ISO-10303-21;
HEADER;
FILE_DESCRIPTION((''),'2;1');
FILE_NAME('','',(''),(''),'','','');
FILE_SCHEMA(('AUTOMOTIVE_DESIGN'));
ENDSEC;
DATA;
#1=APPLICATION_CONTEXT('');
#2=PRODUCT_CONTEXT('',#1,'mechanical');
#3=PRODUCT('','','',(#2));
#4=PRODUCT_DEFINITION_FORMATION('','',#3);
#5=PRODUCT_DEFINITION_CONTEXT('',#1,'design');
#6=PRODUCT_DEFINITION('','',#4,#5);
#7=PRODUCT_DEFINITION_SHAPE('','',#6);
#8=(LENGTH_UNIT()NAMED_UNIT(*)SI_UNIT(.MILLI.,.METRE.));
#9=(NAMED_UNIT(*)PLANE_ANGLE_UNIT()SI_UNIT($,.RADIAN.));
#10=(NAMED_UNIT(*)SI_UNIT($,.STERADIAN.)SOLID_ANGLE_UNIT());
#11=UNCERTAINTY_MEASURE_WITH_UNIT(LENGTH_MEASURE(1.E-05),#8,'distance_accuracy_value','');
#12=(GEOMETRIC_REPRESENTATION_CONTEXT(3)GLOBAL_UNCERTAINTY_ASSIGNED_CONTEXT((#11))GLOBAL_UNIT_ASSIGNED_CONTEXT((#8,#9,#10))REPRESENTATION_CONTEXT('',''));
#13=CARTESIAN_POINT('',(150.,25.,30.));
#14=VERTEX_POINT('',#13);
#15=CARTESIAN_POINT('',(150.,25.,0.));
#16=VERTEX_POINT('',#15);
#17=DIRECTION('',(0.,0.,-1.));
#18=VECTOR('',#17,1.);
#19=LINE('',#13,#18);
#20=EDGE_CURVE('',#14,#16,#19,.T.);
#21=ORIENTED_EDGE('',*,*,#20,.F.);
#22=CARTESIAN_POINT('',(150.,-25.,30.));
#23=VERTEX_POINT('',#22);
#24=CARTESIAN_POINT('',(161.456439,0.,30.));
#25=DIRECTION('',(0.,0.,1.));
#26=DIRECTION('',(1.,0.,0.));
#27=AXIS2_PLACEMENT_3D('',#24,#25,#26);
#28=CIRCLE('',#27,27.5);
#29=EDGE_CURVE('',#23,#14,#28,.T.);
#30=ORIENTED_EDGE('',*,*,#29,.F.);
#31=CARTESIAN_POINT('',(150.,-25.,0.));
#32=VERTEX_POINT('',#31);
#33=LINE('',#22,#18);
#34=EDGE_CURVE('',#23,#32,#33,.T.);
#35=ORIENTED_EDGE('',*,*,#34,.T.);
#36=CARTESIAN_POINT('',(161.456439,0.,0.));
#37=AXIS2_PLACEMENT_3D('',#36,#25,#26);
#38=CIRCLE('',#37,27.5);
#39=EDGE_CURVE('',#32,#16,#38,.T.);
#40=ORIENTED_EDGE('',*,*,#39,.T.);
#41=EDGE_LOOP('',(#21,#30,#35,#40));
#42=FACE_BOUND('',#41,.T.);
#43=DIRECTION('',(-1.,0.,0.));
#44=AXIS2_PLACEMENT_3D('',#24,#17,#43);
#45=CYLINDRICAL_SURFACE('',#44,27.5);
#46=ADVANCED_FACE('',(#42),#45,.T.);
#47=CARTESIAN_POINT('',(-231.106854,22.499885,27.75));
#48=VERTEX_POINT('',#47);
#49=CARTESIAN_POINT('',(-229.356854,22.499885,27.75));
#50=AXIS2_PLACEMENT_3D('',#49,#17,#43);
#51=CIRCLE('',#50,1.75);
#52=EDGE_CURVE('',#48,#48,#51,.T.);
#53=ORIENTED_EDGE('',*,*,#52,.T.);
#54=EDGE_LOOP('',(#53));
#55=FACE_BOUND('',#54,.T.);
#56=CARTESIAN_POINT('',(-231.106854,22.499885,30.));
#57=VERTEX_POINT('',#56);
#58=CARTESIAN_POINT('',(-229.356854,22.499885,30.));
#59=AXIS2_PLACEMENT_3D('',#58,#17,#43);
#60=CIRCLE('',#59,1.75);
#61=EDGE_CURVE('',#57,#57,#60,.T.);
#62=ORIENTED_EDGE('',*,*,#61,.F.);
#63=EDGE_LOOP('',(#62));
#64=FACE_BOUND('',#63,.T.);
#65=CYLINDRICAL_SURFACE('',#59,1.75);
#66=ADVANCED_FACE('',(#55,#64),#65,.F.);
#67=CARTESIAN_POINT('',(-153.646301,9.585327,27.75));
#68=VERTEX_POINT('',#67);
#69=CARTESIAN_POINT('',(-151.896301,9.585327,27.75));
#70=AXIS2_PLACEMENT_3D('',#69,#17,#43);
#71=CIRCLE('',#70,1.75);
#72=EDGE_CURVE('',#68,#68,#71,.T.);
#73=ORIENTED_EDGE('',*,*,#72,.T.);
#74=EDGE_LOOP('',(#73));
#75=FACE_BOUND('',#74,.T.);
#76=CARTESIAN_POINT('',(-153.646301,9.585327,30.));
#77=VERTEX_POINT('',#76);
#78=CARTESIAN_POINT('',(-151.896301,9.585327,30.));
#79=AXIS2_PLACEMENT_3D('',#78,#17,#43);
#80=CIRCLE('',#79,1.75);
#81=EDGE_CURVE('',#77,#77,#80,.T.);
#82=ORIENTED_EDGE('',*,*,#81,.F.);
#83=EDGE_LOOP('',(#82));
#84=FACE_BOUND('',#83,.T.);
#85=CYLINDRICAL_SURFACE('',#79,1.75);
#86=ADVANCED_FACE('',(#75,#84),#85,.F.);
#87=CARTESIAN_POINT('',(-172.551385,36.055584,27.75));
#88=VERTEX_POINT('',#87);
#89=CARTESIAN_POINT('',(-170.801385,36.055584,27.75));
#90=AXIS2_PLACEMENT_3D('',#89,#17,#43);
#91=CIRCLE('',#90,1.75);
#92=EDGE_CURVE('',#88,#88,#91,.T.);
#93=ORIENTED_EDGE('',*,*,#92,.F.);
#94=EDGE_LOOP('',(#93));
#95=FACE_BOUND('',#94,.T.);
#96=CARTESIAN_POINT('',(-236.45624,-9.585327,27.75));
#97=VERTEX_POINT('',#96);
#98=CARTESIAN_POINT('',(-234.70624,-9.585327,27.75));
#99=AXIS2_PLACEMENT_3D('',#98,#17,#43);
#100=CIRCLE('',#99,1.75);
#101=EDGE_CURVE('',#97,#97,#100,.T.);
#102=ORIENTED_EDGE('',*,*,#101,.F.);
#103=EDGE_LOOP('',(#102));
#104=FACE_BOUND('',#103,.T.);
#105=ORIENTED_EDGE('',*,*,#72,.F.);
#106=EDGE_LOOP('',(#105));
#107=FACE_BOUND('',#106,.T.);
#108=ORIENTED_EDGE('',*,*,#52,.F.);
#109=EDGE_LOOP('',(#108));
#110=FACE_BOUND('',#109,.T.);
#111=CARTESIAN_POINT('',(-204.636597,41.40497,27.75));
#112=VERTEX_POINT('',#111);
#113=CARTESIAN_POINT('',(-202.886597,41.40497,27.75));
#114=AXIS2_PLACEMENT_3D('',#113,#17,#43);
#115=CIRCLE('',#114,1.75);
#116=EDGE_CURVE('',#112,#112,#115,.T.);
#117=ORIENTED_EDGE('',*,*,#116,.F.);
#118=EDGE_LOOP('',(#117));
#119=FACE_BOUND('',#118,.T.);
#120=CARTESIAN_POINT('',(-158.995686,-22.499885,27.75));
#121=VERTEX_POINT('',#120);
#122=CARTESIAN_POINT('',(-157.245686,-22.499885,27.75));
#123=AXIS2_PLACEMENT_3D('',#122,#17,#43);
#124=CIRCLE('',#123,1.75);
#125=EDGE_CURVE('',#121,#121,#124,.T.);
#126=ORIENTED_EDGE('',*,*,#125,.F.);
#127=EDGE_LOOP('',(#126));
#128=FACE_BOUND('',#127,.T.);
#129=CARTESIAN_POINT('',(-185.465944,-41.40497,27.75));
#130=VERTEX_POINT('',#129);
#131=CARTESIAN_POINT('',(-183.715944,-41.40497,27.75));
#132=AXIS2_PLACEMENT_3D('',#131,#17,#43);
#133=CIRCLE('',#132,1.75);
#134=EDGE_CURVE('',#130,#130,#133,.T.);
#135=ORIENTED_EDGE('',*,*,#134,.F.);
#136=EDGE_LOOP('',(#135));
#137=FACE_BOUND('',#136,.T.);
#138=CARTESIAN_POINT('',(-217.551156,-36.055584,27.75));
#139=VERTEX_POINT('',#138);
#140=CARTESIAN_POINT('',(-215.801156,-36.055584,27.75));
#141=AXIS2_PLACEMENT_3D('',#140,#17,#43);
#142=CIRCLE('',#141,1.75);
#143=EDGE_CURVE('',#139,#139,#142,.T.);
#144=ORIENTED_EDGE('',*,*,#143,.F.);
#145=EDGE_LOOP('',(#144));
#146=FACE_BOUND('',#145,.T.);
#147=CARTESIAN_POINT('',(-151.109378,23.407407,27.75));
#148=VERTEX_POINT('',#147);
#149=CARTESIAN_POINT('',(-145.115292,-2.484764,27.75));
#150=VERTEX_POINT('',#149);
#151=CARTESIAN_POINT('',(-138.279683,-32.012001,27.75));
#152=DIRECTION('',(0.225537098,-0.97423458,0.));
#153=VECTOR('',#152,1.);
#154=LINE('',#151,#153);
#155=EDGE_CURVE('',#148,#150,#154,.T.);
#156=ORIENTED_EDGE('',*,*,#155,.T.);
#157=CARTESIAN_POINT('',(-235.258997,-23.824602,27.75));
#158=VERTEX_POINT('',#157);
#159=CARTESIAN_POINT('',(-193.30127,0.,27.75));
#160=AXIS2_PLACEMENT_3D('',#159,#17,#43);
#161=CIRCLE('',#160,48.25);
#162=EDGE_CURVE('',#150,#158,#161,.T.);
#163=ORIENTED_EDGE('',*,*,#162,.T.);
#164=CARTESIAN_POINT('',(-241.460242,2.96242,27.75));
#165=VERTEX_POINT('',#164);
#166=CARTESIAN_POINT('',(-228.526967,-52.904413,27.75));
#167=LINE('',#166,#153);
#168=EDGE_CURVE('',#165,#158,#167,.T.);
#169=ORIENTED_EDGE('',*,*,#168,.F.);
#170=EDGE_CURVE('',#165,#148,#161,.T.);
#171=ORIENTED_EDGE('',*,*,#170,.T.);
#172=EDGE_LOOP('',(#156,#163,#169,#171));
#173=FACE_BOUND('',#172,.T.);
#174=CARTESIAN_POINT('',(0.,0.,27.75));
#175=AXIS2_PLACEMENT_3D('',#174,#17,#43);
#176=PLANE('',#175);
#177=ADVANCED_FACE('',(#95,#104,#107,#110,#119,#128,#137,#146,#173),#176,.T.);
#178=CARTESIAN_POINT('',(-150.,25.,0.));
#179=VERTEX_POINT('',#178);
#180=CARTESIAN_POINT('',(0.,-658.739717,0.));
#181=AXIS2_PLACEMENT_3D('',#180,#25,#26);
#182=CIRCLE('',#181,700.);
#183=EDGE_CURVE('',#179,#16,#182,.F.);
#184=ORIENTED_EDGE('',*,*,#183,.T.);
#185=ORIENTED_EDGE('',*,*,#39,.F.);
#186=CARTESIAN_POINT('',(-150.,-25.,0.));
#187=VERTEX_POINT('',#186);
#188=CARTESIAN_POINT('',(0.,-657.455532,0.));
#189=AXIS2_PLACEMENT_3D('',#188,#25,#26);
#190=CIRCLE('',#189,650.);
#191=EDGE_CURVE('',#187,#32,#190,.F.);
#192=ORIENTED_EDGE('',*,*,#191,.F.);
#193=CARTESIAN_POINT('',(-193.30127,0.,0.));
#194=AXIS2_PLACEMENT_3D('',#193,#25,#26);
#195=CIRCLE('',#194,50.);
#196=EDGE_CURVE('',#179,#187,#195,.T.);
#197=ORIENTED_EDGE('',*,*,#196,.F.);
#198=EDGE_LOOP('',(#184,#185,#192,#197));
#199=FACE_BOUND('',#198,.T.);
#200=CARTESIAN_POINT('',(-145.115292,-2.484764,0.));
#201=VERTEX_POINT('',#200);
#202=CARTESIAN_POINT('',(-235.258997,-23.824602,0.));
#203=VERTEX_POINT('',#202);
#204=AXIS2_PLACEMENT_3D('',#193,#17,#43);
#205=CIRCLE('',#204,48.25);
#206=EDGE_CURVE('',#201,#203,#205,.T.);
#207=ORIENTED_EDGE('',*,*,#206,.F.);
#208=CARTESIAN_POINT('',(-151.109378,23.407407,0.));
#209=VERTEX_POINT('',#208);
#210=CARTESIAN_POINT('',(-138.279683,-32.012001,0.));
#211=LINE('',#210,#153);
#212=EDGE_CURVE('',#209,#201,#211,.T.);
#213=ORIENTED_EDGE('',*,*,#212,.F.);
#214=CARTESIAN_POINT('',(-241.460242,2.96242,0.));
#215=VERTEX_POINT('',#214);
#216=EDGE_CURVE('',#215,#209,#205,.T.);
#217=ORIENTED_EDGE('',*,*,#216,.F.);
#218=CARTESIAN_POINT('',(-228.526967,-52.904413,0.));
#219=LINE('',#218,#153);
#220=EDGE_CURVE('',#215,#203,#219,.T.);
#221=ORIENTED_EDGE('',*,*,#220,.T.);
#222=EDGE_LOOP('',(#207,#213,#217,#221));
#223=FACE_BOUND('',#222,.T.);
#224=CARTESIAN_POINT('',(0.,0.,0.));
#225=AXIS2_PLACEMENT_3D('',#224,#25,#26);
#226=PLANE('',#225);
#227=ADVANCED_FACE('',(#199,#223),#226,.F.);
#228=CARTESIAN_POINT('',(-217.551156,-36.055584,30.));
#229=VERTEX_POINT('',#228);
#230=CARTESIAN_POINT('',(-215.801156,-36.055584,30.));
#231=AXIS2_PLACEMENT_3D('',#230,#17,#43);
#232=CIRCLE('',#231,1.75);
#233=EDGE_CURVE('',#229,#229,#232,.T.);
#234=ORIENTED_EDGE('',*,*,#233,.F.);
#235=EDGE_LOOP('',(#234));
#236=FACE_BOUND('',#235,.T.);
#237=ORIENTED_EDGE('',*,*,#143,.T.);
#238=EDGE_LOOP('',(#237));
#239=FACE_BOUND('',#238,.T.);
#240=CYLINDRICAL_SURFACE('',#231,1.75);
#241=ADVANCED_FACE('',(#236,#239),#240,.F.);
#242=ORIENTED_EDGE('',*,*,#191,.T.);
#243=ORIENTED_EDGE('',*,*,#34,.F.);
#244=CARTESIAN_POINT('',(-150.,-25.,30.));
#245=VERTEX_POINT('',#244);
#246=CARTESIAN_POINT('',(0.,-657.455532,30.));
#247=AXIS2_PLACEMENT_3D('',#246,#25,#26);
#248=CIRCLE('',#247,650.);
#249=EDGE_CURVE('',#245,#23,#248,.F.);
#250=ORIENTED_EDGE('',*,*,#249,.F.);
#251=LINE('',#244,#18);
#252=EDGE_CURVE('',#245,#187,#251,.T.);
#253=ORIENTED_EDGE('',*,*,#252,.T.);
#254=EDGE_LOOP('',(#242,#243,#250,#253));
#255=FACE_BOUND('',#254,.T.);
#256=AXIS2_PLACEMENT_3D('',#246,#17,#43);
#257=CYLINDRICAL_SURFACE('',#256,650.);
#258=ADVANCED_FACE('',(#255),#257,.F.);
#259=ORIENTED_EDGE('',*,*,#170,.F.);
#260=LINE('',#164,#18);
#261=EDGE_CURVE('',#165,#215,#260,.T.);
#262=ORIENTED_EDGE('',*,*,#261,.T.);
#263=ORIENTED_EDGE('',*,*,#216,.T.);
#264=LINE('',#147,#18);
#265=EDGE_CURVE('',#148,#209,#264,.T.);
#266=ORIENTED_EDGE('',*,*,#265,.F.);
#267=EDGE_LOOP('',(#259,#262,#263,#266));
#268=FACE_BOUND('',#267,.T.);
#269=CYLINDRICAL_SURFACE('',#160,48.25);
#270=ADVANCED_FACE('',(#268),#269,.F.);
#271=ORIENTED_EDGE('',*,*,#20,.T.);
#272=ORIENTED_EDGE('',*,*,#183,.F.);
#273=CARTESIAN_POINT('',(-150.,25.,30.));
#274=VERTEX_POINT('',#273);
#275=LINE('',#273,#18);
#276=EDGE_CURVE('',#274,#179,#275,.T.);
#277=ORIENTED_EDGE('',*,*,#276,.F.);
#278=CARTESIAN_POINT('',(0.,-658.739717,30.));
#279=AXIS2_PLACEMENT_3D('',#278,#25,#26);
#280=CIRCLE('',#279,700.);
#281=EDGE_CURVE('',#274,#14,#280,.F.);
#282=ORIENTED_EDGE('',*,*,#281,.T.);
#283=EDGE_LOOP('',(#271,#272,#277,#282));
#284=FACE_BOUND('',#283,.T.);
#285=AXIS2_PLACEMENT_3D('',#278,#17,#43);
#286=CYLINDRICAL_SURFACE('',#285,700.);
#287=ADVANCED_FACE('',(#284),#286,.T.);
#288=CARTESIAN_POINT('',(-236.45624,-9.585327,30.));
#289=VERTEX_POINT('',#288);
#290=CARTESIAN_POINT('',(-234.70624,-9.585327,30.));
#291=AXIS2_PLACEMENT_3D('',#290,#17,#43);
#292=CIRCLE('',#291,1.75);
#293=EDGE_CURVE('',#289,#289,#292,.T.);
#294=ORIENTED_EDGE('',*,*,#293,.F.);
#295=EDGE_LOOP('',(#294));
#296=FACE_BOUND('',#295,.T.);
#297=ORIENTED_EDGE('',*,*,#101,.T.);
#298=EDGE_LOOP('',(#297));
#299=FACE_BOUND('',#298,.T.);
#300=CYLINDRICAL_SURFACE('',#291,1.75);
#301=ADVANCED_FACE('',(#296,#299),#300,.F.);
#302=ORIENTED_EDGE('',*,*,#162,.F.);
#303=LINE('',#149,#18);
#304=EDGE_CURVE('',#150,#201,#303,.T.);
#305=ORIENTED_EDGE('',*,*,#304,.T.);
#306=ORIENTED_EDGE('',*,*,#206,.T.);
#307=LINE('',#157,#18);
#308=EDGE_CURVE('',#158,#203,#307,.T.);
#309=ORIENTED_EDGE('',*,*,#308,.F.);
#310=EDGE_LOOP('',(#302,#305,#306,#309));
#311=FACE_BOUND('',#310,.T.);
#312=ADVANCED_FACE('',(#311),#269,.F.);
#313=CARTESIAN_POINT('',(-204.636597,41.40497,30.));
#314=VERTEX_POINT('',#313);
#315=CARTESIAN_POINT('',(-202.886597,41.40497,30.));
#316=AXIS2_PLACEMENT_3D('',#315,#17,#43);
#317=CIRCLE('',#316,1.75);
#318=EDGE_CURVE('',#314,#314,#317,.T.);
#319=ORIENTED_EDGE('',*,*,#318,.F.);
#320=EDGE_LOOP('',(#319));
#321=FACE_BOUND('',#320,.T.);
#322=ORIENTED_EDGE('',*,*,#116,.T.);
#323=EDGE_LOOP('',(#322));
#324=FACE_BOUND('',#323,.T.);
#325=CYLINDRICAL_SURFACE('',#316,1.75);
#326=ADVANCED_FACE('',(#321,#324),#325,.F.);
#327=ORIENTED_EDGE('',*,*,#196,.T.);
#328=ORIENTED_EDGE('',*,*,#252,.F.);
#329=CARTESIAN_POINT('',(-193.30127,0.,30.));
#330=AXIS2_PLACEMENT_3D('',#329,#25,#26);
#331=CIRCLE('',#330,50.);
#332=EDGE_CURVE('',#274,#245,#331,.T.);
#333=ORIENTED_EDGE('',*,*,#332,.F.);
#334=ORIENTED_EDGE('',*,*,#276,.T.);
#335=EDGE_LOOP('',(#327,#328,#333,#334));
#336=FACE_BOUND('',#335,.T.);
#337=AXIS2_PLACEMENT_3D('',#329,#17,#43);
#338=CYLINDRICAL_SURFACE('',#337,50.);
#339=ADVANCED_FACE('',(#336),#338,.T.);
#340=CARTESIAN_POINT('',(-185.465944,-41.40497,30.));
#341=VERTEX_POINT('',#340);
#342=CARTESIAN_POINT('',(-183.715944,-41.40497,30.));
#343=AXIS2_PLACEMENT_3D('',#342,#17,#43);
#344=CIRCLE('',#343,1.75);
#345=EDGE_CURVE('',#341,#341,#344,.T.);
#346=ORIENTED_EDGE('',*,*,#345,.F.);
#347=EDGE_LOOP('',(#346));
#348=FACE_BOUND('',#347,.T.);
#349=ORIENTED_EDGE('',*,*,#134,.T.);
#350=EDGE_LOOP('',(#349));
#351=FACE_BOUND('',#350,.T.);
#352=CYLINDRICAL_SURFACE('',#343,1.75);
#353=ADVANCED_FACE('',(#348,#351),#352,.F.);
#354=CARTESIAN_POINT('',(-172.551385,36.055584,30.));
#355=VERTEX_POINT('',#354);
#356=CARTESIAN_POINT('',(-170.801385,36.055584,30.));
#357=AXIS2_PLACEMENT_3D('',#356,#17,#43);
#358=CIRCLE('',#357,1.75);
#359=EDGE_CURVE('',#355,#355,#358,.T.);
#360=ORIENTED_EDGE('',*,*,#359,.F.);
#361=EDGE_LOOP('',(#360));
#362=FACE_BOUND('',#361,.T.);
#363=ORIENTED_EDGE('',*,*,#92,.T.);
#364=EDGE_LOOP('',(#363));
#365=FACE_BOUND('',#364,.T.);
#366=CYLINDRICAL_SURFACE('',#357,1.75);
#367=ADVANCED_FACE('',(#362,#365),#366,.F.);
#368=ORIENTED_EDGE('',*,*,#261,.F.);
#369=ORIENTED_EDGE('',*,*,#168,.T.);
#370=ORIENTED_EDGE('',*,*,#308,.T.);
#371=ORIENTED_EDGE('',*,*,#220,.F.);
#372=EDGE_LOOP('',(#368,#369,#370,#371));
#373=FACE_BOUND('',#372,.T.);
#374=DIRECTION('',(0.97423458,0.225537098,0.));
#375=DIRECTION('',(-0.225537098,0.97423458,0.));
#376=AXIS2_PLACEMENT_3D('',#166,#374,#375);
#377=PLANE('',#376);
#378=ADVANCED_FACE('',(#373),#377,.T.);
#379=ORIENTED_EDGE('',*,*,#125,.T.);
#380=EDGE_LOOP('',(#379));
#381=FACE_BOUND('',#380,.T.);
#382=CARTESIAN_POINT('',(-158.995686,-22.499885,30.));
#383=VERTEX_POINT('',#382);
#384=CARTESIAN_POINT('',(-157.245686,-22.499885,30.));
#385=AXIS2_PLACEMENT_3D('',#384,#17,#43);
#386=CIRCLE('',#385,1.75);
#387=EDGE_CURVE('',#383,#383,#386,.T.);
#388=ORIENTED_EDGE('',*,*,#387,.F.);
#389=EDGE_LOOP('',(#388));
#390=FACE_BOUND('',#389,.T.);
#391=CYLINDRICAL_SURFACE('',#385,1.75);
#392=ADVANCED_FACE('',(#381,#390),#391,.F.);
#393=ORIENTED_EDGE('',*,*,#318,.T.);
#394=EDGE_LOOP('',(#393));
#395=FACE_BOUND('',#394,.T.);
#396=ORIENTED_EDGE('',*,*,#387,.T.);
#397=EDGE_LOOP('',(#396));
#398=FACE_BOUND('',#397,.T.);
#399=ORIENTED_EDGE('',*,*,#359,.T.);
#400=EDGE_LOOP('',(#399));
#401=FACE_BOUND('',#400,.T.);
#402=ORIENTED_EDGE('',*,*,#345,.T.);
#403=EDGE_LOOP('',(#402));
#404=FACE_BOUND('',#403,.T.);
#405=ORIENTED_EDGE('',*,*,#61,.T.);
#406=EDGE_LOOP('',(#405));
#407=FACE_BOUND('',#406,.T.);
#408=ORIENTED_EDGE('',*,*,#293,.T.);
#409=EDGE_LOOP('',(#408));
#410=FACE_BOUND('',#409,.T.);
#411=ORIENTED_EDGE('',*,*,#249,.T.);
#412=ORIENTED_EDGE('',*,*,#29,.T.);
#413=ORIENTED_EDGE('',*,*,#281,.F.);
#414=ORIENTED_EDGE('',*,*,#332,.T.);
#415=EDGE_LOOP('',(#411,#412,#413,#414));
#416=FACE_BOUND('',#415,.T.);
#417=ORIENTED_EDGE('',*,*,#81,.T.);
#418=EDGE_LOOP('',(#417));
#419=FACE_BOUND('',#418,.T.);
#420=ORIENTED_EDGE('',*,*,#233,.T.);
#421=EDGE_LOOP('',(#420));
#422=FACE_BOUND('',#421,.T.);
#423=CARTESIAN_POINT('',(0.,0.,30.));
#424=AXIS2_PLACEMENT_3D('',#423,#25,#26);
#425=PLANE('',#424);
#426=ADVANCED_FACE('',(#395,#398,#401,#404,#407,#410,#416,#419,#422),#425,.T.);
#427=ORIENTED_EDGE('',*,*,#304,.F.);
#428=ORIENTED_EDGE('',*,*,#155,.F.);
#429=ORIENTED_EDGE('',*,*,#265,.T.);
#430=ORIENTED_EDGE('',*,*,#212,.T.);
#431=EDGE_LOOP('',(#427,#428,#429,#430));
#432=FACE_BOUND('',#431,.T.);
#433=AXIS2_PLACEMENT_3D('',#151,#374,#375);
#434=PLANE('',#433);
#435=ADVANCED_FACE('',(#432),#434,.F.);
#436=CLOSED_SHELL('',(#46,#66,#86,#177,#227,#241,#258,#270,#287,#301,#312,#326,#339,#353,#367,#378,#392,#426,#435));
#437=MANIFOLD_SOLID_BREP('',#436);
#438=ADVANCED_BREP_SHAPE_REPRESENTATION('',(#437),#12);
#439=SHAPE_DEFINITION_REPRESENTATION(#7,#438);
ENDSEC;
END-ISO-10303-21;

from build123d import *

# Parameters (mm, degrees)
EXTRUDE_3_DEPTH     = 30
CUT_EXTRUDE_1_DEPTH = 27.75
SKETCH_5_R          = 1.75
CUT_EXTRUDE_2_DEPTH = 250.931131666


with BuildPart() as part:
    # 草图1 → 凸台-拉伸3 (new body)
    with BuildSketch(Plane.XY):
        with BuildLine():
            ThreePointArc((188.956439237, 0), (176.309013441, 23.14413618), (150, 25))
            Line((150, 25), (150, -25))
            ThreePointArc((150, -25), (176.309013441, -23.14413618), (188.956439237, 0))
        make_face()
        with BuildLine():
            Line((150, -25), (150, 25))
            ThreePointArc((150, 25), (133.956439237, 0), (150, -25))
        make_face()
        with BuildLine():
            ThreePointArc((188.956439237, 0), (176.309013441, 23.14413618), (150, 25))
            Line((150, 25), (150, -25))
            ThreePointArc((150, -25), (176.309013441, -23.14413618), (188.956439237, 0))
        make_face()
        with BuildLine():
            Line((150, -25), (150, 25))
            ThreePointArc((150, 25), (133.956439237, 0), (150, -25))
        make_face()
        with BuildLine():
            Line((150, 25), (-150, 25))
            ThreePointArc((-150, 25), (-145.004978875, 12.940952255), (-143.301270189, 0))
            ThreePointArc((-143.301270189, 0), (-145.004978875, -12.940952255), (-150, -25))
            ThreePointArc((-150, -25), (0, -7.455532034), (150, -25))
            ThreePointArc((150, -25), (133.956439237, 0), (150, 25))
        make_face()
        with BuildLine():
            ThreePointArc((-150, 25), (0, 41.260283441), (150, 25))
            Line((150, 25), (-150, 25))
        make_face()
        with BuildLine():
            ThreePointArc((-143.301270189, 0), (-145.004978875, 12.940952255), (-150, 25))
            Line((-150, 25), (-150, -25))
            ThreePointArc((-150, -25), (-145.004978875, -12.940952255), (-143.301270189, 0))
        make_face()
        with BuildLine():
            Line((-150, -25), (-150, 25))
            ThreePointArc((-150, 25), (-243.301270189, 0), (-150, -25))
        make_face()
        with BuildLine():
            ThreePointArc((-143.301270189, 0), (-145.004978875, 12.940952255), (-150, 25))
            Line((-150, 25), (-150, -25))
            ThreePointArc((-150, -25), (-145.004978875, -12.940952255), (-143.301270189, 0))
        make_face()
        with BuildLine():
            Line((-150, -25), (-150, 25))
            ThreePointArc((-150, 25), (-243.301270189, 0), (-150, -25))
        make_face()
    extrude(amount=EXTRUDE_3_DEPTH)

    # 草图3 → 切除-拉伸1 (cut)
    with BuildSketch(Plane(origin=(0, 0, 0), x_dir=(-1, 0, 0), z_dir=(0, 0, -1))):
        with BuildLine():
            ThreePointArc((241.460241998, 2.962420354), (203.950254971, 47.06019149), (151.10937756, 23.40740687))
            Line((151.10937756, 23.40740687), (145.115292459, -2.484763599))
            ThreePointArc((145.115292459, -2.484763599), (182.186192507, -46.952290127), (235.258997062, -23.8246019))
            Line((235.258997062, -23.8246019), (238.35961953, -10.431090773))
            Line((238.35961953, -10.431090773), (241.460241998, 2.962420354))
        make_face()
    extrude(amount=-CUT_EXTRUDE_1_DEPTH, mode=Mode.SUBTRACT)

    # 草图5 → 切除-拉伸2 (cut, through all)
    with BuildSketch(Plane(origin=(0, 0, 27.75), x_dir=(-1, 0, 0), z_dir=(0, 0, -1))):
        with Locations((151.896300525, 9.585326657)):
            Circle(SKETCH_5_R)
        with Locations((170.801384844, 36.055584303)):
            Circle(SKETCH_5_R)
        with Locations((202.886596846, 41.404969664)):
            Circle(SKETCH_5_R)
        with Locations((229.356854492, 22.499885346)):
            Circle(SKETCH_5_R)
        with Locations((234.706239853, -9.585326656)):
            Circle(SKETCH_5_R)
        with Locations((215.801155535, -36.055584303)):
            Circle(SKETCH_5_R)
        with Locations((183.715943533, -41.404969664)):
            Circle(SKETCH_5_R)
        with Locations((157.245685886, -22.499885346)):
            Circle(SKETCH_5_R)
    extrude(amount=-CUT_EXTRUDE_2_DEPTH, mode=Mode.SUBTRACT)


solid = part.part
